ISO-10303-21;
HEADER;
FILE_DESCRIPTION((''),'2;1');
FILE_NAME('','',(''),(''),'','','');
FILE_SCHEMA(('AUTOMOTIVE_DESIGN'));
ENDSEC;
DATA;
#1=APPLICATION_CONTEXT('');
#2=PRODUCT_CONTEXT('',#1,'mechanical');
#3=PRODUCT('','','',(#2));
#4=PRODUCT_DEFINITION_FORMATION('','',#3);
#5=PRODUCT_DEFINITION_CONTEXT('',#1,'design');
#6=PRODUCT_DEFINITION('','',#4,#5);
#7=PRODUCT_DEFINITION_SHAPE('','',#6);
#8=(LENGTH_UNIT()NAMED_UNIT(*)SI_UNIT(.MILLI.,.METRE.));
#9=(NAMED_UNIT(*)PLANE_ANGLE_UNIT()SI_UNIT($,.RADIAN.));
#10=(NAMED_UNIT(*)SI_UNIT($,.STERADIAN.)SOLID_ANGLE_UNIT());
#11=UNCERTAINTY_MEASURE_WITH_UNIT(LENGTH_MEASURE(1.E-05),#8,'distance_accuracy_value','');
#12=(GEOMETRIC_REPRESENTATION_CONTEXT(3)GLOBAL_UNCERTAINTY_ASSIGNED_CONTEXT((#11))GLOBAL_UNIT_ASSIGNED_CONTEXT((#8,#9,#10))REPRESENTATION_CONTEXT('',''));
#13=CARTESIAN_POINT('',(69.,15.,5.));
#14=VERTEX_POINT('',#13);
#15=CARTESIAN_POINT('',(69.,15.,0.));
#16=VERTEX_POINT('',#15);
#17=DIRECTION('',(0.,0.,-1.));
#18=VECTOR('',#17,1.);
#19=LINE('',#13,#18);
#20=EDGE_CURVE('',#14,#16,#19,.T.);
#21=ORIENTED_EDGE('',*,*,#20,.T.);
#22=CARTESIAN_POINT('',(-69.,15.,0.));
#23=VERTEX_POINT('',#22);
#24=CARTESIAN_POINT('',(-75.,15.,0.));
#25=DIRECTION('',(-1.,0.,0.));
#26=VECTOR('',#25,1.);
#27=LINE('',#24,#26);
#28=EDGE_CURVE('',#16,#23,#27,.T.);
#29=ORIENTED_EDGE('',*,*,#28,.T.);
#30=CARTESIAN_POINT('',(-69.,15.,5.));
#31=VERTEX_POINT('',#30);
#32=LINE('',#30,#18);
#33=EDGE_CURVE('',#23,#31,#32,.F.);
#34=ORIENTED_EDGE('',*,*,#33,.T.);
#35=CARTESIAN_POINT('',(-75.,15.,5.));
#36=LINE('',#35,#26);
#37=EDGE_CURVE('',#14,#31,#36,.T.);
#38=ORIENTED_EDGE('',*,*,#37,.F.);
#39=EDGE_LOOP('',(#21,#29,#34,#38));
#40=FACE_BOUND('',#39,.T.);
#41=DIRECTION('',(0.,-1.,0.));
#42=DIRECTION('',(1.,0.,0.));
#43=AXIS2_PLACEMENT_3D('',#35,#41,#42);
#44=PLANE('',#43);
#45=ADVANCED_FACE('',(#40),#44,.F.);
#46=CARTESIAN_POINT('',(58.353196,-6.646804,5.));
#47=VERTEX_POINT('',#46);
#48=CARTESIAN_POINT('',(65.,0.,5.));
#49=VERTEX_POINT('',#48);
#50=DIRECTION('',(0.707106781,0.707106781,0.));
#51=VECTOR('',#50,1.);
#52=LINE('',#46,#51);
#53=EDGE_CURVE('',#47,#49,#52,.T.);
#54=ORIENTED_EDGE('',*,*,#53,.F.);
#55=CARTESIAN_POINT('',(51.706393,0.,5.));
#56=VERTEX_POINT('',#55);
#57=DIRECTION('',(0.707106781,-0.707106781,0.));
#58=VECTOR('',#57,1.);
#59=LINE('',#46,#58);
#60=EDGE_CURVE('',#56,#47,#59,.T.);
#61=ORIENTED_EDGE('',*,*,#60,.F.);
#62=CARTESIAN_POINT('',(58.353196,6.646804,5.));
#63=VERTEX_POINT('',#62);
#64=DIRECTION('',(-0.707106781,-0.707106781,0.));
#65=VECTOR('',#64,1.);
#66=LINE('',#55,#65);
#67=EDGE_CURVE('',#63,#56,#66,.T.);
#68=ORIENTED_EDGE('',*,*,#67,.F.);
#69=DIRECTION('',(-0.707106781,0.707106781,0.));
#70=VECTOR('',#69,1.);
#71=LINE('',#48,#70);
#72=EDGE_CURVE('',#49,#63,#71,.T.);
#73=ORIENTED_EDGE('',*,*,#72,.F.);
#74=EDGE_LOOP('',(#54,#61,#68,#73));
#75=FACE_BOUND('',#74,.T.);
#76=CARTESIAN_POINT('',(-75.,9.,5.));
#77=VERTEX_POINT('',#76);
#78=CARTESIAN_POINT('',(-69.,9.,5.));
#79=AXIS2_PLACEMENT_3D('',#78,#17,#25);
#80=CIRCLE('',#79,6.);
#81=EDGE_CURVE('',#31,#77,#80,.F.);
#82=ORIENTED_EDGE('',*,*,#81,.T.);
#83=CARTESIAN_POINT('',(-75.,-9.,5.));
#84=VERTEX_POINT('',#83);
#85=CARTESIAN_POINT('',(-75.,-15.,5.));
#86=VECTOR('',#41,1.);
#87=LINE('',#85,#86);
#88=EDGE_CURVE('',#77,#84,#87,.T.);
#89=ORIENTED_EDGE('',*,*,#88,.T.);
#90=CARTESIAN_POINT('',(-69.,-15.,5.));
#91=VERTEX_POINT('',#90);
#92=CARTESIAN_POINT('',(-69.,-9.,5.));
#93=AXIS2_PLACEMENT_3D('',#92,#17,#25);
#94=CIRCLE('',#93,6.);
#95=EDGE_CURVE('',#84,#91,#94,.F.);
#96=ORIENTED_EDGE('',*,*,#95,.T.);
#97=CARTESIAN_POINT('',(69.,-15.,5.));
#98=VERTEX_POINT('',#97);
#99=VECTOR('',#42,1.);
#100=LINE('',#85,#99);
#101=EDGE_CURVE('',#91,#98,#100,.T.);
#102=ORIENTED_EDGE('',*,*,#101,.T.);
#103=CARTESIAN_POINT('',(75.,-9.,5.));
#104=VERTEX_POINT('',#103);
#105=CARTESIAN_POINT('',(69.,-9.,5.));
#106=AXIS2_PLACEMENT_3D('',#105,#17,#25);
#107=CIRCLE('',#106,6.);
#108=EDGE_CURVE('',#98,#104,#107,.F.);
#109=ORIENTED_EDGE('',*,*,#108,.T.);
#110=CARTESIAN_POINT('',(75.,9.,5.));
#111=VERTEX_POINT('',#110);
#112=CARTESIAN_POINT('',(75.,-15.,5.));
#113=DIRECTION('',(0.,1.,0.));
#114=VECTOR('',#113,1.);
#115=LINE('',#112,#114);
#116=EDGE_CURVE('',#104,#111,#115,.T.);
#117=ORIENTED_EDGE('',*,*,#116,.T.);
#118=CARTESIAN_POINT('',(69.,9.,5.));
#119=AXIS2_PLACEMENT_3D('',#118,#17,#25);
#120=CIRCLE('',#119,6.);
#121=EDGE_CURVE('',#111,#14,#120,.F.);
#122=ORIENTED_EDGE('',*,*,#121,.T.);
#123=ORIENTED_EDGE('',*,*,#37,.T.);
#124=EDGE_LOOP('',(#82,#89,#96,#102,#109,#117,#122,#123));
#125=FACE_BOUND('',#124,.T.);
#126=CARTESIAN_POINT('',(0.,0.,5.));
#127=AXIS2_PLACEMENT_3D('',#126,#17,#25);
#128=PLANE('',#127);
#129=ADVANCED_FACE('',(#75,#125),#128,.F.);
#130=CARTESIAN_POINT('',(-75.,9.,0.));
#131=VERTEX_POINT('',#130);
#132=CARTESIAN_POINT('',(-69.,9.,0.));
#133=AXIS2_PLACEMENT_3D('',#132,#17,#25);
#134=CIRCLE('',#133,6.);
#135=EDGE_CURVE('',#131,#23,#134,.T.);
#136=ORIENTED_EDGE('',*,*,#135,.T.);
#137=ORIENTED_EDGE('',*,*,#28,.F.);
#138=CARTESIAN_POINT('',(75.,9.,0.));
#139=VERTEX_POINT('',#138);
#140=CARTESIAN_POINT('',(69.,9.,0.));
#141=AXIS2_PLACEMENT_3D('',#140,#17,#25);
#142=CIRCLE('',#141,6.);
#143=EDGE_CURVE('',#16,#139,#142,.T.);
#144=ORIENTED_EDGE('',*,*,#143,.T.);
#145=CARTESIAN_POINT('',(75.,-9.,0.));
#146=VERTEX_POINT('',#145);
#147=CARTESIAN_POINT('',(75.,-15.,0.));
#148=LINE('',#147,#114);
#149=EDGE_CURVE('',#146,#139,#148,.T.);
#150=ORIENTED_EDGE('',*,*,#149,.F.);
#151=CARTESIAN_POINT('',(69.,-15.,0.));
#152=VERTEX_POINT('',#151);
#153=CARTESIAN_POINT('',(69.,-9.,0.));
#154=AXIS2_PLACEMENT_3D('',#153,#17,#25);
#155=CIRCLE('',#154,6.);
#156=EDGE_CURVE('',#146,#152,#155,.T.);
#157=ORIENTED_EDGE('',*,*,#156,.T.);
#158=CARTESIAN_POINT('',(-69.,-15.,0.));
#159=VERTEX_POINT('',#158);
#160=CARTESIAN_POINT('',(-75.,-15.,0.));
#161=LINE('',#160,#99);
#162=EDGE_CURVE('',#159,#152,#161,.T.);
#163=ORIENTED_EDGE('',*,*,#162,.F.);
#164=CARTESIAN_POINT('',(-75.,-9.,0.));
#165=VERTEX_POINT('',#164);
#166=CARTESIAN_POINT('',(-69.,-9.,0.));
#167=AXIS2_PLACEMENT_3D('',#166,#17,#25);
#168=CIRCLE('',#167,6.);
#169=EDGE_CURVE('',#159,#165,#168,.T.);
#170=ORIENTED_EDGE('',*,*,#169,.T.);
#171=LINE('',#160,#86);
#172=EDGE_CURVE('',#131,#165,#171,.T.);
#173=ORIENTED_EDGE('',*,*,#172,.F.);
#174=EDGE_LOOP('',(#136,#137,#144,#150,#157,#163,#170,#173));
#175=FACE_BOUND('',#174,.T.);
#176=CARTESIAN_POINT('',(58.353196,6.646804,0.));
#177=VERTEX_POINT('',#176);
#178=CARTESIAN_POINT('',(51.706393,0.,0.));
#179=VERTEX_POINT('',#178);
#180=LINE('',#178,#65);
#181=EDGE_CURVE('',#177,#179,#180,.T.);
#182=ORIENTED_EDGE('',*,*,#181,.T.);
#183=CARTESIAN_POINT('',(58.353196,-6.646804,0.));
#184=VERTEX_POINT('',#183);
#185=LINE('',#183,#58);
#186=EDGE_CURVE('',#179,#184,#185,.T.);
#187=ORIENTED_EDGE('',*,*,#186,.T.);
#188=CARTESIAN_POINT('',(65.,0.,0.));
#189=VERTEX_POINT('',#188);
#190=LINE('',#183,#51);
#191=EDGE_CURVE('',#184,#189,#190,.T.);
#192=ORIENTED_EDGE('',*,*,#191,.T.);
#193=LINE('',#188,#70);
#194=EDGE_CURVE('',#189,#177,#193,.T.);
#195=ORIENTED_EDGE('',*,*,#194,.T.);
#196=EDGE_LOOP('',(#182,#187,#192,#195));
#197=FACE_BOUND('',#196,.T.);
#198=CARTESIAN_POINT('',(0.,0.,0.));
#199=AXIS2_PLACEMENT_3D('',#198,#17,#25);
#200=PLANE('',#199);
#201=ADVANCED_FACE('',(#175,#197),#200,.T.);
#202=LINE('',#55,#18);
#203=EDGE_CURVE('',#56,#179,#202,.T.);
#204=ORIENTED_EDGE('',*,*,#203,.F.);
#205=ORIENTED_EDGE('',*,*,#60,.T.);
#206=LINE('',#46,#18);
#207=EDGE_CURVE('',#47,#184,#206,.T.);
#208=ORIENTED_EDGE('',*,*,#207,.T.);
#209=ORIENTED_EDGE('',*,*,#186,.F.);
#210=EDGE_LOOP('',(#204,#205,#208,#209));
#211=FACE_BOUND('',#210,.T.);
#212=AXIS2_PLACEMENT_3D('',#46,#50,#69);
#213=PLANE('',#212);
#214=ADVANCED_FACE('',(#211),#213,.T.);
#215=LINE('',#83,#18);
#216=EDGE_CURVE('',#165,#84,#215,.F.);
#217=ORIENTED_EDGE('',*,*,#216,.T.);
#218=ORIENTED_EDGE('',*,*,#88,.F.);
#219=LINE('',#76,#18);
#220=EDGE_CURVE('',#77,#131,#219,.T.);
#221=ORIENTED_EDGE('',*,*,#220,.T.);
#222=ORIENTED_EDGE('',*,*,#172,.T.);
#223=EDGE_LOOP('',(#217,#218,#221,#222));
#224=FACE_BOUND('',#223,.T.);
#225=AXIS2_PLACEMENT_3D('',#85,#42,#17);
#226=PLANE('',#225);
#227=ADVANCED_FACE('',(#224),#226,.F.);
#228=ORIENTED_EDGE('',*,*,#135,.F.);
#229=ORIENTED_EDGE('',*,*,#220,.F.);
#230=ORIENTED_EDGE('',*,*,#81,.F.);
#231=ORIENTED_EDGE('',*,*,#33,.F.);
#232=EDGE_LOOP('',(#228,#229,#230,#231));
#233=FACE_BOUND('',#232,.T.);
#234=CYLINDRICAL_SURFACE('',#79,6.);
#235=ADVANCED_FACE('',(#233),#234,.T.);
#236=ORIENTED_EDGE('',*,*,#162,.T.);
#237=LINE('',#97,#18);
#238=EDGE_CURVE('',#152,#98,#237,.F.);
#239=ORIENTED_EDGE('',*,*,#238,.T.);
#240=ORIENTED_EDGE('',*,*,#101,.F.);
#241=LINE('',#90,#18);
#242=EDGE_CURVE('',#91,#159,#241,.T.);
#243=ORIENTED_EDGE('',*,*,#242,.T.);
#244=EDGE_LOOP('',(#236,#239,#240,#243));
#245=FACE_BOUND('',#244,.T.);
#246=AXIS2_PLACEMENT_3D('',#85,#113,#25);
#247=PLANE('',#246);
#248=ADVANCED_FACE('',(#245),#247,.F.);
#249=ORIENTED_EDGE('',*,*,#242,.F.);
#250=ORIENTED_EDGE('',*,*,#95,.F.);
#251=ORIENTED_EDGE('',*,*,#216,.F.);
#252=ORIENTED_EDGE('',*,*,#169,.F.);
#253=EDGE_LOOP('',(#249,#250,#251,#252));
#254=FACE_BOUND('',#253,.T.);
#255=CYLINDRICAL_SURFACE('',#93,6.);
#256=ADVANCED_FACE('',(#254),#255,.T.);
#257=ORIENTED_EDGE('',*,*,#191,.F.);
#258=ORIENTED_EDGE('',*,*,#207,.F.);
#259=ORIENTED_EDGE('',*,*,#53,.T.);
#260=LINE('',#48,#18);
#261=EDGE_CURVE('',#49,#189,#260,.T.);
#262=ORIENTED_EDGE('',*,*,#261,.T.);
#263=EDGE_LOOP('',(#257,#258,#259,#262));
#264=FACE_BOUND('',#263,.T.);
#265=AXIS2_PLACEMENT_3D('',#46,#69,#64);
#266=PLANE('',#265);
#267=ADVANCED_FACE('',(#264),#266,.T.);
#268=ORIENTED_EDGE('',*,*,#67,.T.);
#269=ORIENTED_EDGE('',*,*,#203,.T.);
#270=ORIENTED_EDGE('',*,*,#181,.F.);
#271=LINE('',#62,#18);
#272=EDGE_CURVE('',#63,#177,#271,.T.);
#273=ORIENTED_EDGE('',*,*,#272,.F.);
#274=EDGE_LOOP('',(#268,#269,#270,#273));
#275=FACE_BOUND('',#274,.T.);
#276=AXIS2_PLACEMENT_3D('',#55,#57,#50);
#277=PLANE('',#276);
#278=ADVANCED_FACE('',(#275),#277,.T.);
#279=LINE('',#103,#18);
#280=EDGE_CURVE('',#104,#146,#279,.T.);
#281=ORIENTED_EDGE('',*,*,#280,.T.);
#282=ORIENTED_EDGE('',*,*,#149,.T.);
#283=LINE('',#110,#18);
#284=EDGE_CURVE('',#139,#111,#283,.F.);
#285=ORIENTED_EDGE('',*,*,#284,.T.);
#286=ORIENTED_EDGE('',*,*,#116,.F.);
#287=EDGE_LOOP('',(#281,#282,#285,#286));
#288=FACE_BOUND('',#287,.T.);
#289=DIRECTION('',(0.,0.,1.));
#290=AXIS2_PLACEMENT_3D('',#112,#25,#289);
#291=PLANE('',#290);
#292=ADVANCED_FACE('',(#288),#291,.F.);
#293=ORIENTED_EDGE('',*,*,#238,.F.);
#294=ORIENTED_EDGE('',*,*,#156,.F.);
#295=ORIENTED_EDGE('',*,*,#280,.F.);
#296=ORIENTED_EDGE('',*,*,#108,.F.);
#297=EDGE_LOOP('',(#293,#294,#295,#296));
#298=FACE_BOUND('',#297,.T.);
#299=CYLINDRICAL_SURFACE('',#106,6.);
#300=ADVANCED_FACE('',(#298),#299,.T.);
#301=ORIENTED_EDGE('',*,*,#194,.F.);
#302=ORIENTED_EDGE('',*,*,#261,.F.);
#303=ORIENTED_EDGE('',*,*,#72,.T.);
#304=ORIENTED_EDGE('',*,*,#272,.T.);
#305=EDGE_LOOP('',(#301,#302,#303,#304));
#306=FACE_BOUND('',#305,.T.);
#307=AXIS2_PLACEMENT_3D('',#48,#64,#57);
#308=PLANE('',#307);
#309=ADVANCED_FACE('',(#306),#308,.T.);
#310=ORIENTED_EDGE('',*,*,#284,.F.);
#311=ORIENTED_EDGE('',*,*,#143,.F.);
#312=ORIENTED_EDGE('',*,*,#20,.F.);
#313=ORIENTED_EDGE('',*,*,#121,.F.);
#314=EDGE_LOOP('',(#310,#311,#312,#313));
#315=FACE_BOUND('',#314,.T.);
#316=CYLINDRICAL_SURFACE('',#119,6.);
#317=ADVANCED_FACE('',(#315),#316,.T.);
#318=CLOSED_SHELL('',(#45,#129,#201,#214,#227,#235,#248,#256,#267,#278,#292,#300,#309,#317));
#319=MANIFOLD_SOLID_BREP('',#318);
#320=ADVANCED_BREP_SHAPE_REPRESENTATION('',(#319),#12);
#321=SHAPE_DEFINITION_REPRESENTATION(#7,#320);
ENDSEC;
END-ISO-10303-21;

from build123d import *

# Parameters (mm, degrees)
ESQUISSE1_W        = 150
ESQUISSE1_H        = 30
BOSS_EXTRU_1_DEPTH = 5
CONG_1_R           = 6


with BuildPart() as part:
    # Esquisse1 → Boss.-Extru.1 (new body)
    with BuildSketch(Plane.XY):
        Rectangle(ESQUISSE1_W, ESQUISSE1_H)
        Polygon((58.353196257, -6.646803743), (51.706392514, 0), (58.353196257, 6.646803743), (65, 0), align=None, mode=Mode.SUBTRACT)
    extrude(amount=BOSS_EXTRU_1_DEPTH)

    # Congé1
    cong_1_edges = [part.edges().sort_by_distance(p)[0] for p in [
        (75, -15, 2.5),
        (-75, -15, 2.5),
        (-75, 15, 2.5),
        (75, 15, 2.5),
    ]]
    fillet(cong_1_edges, radius=CONG_1_R)


solid = part.part
